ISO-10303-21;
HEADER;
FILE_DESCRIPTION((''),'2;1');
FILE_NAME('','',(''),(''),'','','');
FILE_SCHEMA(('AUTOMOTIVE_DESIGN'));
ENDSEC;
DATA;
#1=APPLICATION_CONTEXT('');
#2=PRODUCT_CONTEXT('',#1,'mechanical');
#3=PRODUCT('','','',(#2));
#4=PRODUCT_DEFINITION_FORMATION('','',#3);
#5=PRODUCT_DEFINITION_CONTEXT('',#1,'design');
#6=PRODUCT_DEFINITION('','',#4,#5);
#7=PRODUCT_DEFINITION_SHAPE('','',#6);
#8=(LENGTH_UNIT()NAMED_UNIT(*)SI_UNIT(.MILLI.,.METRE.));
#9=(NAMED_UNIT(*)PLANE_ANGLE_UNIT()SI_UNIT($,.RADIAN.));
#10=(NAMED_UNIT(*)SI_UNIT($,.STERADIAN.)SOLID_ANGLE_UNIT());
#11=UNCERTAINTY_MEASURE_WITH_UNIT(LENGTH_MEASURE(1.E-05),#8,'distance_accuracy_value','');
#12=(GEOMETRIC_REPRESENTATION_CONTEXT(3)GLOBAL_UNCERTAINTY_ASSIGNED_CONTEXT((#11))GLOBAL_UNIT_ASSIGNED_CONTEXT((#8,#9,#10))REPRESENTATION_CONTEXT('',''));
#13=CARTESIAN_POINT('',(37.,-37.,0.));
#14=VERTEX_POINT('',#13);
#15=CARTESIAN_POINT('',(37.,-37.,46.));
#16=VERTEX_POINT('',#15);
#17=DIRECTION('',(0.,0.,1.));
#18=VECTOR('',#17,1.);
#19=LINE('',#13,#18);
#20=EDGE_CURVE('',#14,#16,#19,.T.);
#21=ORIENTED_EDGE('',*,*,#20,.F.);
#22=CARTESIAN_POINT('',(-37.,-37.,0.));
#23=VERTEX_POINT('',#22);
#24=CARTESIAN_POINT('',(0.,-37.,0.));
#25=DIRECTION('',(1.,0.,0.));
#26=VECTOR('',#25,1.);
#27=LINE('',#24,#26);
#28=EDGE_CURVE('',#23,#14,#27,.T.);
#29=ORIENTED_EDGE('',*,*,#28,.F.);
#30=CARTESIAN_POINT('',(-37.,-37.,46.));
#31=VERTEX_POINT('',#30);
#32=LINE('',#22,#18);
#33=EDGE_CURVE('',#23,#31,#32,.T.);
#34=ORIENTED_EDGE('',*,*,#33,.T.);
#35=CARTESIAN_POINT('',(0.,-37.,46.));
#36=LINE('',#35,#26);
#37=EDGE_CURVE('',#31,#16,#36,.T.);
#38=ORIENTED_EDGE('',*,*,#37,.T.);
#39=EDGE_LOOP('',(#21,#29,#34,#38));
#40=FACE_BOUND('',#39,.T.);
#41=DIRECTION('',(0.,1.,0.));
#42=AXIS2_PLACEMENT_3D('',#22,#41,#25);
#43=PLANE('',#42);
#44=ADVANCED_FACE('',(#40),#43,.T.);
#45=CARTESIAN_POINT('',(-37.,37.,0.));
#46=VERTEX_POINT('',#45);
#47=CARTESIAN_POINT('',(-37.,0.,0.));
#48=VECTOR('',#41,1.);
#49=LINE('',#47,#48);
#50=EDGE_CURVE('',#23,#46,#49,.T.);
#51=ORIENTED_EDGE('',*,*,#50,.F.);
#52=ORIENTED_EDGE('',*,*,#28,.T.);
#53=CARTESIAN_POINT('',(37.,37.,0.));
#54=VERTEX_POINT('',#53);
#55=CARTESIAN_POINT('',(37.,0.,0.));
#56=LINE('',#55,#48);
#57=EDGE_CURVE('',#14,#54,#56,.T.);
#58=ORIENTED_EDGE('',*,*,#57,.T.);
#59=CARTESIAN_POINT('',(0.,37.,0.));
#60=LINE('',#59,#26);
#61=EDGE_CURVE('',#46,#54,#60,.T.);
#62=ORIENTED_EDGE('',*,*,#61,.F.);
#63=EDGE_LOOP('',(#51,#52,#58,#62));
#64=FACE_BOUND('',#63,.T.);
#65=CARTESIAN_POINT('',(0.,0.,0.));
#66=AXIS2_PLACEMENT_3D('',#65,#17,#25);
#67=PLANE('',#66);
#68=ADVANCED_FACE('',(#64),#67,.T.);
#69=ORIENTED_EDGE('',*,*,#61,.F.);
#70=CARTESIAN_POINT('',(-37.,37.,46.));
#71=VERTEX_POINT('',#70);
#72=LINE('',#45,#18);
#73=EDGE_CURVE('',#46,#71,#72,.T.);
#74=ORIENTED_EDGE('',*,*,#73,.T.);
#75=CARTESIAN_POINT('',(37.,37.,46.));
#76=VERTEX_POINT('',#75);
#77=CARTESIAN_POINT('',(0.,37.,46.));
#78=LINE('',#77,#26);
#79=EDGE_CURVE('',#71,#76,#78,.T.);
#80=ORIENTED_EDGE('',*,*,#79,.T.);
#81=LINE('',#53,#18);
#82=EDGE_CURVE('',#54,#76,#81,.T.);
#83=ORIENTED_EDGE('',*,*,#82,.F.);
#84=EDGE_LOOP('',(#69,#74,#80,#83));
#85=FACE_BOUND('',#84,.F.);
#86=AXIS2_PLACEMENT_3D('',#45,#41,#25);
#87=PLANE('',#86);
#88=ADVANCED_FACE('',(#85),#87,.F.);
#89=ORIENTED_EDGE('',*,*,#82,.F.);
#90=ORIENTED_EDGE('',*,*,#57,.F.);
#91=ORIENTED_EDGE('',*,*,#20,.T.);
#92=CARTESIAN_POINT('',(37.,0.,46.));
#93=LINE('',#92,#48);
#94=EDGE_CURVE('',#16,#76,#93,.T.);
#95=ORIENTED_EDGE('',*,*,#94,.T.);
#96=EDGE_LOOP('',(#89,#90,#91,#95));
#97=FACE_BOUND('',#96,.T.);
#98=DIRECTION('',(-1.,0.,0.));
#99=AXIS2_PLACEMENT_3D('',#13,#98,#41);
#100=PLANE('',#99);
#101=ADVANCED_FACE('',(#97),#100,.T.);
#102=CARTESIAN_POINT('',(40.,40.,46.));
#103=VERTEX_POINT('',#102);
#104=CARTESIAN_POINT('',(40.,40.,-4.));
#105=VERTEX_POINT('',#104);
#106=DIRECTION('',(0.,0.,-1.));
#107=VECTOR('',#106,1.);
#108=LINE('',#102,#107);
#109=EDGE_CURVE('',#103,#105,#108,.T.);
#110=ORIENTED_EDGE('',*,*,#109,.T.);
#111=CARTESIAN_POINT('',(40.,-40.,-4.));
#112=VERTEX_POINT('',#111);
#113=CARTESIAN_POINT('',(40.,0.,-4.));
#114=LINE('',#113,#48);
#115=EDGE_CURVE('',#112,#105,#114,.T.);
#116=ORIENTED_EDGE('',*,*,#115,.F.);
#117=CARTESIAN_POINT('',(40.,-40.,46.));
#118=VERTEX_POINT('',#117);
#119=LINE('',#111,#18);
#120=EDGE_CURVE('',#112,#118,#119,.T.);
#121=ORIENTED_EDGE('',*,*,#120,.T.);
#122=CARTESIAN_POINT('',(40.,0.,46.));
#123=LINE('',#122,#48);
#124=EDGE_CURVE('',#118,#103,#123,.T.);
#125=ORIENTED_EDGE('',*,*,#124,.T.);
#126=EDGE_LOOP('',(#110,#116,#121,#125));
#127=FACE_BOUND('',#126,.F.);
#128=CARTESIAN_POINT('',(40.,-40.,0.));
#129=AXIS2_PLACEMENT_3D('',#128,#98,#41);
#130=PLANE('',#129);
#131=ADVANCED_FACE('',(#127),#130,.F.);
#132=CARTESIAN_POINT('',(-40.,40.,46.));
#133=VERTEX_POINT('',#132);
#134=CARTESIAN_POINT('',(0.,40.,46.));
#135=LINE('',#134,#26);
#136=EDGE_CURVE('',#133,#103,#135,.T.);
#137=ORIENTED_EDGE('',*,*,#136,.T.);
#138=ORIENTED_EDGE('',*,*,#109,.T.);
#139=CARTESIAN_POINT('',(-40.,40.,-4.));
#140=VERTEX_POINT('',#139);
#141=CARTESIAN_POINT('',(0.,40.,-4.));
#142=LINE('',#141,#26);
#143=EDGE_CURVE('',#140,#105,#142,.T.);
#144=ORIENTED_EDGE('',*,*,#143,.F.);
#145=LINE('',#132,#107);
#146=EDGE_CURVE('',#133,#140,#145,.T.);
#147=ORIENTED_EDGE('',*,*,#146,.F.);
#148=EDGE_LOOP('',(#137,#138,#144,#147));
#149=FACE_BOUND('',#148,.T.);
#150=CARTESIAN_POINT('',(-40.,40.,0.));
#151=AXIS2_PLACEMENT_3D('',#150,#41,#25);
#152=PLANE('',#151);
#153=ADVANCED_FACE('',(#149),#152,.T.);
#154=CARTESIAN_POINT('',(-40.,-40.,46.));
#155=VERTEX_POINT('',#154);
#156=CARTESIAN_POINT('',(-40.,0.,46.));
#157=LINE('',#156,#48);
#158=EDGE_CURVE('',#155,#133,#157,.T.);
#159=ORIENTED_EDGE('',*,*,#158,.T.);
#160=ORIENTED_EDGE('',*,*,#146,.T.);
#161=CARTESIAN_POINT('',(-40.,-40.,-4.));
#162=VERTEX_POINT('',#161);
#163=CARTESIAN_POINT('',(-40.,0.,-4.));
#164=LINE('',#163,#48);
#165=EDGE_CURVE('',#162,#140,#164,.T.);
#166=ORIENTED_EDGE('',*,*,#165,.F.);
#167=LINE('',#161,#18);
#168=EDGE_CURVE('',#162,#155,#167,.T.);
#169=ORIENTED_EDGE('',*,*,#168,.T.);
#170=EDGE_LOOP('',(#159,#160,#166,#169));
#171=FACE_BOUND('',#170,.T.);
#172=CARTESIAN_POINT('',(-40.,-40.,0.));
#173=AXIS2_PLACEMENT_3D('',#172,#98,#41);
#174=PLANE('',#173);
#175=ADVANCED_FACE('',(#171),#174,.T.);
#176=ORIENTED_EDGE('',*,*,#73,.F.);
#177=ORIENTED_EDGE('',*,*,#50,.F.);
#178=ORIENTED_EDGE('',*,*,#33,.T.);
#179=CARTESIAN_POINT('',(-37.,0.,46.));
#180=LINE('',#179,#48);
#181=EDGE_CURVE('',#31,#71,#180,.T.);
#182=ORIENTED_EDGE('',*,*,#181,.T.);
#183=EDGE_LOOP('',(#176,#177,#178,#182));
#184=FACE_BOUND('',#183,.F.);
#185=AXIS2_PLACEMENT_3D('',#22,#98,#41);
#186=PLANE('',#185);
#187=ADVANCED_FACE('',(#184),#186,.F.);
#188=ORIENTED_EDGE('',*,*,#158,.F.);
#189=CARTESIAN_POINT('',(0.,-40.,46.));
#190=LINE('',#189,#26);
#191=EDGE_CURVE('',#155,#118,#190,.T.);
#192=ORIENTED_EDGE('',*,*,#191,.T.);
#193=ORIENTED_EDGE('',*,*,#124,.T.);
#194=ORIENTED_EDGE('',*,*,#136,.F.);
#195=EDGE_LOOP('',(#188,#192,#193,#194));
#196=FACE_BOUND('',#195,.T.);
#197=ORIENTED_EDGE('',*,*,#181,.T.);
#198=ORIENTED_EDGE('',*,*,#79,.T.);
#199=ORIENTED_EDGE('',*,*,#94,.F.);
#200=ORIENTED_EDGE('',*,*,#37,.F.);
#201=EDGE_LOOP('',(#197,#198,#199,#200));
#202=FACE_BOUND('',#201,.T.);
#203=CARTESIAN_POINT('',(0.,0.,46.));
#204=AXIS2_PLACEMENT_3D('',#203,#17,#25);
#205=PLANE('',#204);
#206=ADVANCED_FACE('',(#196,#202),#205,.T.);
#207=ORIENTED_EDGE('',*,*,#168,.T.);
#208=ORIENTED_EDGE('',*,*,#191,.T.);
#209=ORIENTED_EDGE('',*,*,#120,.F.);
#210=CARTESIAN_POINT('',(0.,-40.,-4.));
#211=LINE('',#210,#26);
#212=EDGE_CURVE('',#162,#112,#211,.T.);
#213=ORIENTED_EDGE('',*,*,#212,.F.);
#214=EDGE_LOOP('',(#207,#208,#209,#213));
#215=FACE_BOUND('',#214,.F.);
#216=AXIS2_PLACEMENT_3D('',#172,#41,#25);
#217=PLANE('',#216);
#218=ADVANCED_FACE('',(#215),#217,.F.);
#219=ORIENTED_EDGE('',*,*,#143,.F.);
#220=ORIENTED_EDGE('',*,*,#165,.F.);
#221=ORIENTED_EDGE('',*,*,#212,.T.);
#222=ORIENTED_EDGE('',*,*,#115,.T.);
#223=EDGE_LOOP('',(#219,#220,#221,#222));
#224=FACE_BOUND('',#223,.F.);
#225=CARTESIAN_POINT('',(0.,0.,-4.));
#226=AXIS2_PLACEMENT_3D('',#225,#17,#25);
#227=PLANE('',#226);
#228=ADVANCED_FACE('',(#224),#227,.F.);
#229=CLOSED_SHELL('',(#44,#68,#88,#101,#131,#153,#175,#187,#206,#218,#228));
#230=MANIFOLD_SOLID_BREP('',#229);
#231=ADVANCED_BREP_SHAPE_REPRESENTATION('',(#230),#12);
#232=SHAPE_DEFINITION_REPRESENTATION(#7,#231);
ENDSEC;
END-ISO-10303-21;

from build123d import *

# Parameters (mm, degrees)
F0_W     = 80
F0_H     = 80
F0_W_2   = 74
F0_H_2   = 74
F1_DEPTH = 4
F2_DEPTH = 46


with BuildPart() as f1:
    # F0 (on Top) → F1 (new body)
    with BuildSketch(Plane.XY):
        Rectangle(F0_W, F0_H)
        Rectangle(F0_W_2, F0_H_2, mode=Mode.SUBTRACT)
        Rectangle(F0_W_2, F0_H_2)
    extrude(amount=-F1_DEPTH)

    # F0 (on Top) → F2 (join)
    with BuildSketch(Plane.XY):
        Rectangle(F0_W, F0_H)
        Rectangle(F0_W_2, F0_H_2, mode=Mode.SUBTRACT)
    extrude(amount=F2_DEPTH)


solid = f1.part
